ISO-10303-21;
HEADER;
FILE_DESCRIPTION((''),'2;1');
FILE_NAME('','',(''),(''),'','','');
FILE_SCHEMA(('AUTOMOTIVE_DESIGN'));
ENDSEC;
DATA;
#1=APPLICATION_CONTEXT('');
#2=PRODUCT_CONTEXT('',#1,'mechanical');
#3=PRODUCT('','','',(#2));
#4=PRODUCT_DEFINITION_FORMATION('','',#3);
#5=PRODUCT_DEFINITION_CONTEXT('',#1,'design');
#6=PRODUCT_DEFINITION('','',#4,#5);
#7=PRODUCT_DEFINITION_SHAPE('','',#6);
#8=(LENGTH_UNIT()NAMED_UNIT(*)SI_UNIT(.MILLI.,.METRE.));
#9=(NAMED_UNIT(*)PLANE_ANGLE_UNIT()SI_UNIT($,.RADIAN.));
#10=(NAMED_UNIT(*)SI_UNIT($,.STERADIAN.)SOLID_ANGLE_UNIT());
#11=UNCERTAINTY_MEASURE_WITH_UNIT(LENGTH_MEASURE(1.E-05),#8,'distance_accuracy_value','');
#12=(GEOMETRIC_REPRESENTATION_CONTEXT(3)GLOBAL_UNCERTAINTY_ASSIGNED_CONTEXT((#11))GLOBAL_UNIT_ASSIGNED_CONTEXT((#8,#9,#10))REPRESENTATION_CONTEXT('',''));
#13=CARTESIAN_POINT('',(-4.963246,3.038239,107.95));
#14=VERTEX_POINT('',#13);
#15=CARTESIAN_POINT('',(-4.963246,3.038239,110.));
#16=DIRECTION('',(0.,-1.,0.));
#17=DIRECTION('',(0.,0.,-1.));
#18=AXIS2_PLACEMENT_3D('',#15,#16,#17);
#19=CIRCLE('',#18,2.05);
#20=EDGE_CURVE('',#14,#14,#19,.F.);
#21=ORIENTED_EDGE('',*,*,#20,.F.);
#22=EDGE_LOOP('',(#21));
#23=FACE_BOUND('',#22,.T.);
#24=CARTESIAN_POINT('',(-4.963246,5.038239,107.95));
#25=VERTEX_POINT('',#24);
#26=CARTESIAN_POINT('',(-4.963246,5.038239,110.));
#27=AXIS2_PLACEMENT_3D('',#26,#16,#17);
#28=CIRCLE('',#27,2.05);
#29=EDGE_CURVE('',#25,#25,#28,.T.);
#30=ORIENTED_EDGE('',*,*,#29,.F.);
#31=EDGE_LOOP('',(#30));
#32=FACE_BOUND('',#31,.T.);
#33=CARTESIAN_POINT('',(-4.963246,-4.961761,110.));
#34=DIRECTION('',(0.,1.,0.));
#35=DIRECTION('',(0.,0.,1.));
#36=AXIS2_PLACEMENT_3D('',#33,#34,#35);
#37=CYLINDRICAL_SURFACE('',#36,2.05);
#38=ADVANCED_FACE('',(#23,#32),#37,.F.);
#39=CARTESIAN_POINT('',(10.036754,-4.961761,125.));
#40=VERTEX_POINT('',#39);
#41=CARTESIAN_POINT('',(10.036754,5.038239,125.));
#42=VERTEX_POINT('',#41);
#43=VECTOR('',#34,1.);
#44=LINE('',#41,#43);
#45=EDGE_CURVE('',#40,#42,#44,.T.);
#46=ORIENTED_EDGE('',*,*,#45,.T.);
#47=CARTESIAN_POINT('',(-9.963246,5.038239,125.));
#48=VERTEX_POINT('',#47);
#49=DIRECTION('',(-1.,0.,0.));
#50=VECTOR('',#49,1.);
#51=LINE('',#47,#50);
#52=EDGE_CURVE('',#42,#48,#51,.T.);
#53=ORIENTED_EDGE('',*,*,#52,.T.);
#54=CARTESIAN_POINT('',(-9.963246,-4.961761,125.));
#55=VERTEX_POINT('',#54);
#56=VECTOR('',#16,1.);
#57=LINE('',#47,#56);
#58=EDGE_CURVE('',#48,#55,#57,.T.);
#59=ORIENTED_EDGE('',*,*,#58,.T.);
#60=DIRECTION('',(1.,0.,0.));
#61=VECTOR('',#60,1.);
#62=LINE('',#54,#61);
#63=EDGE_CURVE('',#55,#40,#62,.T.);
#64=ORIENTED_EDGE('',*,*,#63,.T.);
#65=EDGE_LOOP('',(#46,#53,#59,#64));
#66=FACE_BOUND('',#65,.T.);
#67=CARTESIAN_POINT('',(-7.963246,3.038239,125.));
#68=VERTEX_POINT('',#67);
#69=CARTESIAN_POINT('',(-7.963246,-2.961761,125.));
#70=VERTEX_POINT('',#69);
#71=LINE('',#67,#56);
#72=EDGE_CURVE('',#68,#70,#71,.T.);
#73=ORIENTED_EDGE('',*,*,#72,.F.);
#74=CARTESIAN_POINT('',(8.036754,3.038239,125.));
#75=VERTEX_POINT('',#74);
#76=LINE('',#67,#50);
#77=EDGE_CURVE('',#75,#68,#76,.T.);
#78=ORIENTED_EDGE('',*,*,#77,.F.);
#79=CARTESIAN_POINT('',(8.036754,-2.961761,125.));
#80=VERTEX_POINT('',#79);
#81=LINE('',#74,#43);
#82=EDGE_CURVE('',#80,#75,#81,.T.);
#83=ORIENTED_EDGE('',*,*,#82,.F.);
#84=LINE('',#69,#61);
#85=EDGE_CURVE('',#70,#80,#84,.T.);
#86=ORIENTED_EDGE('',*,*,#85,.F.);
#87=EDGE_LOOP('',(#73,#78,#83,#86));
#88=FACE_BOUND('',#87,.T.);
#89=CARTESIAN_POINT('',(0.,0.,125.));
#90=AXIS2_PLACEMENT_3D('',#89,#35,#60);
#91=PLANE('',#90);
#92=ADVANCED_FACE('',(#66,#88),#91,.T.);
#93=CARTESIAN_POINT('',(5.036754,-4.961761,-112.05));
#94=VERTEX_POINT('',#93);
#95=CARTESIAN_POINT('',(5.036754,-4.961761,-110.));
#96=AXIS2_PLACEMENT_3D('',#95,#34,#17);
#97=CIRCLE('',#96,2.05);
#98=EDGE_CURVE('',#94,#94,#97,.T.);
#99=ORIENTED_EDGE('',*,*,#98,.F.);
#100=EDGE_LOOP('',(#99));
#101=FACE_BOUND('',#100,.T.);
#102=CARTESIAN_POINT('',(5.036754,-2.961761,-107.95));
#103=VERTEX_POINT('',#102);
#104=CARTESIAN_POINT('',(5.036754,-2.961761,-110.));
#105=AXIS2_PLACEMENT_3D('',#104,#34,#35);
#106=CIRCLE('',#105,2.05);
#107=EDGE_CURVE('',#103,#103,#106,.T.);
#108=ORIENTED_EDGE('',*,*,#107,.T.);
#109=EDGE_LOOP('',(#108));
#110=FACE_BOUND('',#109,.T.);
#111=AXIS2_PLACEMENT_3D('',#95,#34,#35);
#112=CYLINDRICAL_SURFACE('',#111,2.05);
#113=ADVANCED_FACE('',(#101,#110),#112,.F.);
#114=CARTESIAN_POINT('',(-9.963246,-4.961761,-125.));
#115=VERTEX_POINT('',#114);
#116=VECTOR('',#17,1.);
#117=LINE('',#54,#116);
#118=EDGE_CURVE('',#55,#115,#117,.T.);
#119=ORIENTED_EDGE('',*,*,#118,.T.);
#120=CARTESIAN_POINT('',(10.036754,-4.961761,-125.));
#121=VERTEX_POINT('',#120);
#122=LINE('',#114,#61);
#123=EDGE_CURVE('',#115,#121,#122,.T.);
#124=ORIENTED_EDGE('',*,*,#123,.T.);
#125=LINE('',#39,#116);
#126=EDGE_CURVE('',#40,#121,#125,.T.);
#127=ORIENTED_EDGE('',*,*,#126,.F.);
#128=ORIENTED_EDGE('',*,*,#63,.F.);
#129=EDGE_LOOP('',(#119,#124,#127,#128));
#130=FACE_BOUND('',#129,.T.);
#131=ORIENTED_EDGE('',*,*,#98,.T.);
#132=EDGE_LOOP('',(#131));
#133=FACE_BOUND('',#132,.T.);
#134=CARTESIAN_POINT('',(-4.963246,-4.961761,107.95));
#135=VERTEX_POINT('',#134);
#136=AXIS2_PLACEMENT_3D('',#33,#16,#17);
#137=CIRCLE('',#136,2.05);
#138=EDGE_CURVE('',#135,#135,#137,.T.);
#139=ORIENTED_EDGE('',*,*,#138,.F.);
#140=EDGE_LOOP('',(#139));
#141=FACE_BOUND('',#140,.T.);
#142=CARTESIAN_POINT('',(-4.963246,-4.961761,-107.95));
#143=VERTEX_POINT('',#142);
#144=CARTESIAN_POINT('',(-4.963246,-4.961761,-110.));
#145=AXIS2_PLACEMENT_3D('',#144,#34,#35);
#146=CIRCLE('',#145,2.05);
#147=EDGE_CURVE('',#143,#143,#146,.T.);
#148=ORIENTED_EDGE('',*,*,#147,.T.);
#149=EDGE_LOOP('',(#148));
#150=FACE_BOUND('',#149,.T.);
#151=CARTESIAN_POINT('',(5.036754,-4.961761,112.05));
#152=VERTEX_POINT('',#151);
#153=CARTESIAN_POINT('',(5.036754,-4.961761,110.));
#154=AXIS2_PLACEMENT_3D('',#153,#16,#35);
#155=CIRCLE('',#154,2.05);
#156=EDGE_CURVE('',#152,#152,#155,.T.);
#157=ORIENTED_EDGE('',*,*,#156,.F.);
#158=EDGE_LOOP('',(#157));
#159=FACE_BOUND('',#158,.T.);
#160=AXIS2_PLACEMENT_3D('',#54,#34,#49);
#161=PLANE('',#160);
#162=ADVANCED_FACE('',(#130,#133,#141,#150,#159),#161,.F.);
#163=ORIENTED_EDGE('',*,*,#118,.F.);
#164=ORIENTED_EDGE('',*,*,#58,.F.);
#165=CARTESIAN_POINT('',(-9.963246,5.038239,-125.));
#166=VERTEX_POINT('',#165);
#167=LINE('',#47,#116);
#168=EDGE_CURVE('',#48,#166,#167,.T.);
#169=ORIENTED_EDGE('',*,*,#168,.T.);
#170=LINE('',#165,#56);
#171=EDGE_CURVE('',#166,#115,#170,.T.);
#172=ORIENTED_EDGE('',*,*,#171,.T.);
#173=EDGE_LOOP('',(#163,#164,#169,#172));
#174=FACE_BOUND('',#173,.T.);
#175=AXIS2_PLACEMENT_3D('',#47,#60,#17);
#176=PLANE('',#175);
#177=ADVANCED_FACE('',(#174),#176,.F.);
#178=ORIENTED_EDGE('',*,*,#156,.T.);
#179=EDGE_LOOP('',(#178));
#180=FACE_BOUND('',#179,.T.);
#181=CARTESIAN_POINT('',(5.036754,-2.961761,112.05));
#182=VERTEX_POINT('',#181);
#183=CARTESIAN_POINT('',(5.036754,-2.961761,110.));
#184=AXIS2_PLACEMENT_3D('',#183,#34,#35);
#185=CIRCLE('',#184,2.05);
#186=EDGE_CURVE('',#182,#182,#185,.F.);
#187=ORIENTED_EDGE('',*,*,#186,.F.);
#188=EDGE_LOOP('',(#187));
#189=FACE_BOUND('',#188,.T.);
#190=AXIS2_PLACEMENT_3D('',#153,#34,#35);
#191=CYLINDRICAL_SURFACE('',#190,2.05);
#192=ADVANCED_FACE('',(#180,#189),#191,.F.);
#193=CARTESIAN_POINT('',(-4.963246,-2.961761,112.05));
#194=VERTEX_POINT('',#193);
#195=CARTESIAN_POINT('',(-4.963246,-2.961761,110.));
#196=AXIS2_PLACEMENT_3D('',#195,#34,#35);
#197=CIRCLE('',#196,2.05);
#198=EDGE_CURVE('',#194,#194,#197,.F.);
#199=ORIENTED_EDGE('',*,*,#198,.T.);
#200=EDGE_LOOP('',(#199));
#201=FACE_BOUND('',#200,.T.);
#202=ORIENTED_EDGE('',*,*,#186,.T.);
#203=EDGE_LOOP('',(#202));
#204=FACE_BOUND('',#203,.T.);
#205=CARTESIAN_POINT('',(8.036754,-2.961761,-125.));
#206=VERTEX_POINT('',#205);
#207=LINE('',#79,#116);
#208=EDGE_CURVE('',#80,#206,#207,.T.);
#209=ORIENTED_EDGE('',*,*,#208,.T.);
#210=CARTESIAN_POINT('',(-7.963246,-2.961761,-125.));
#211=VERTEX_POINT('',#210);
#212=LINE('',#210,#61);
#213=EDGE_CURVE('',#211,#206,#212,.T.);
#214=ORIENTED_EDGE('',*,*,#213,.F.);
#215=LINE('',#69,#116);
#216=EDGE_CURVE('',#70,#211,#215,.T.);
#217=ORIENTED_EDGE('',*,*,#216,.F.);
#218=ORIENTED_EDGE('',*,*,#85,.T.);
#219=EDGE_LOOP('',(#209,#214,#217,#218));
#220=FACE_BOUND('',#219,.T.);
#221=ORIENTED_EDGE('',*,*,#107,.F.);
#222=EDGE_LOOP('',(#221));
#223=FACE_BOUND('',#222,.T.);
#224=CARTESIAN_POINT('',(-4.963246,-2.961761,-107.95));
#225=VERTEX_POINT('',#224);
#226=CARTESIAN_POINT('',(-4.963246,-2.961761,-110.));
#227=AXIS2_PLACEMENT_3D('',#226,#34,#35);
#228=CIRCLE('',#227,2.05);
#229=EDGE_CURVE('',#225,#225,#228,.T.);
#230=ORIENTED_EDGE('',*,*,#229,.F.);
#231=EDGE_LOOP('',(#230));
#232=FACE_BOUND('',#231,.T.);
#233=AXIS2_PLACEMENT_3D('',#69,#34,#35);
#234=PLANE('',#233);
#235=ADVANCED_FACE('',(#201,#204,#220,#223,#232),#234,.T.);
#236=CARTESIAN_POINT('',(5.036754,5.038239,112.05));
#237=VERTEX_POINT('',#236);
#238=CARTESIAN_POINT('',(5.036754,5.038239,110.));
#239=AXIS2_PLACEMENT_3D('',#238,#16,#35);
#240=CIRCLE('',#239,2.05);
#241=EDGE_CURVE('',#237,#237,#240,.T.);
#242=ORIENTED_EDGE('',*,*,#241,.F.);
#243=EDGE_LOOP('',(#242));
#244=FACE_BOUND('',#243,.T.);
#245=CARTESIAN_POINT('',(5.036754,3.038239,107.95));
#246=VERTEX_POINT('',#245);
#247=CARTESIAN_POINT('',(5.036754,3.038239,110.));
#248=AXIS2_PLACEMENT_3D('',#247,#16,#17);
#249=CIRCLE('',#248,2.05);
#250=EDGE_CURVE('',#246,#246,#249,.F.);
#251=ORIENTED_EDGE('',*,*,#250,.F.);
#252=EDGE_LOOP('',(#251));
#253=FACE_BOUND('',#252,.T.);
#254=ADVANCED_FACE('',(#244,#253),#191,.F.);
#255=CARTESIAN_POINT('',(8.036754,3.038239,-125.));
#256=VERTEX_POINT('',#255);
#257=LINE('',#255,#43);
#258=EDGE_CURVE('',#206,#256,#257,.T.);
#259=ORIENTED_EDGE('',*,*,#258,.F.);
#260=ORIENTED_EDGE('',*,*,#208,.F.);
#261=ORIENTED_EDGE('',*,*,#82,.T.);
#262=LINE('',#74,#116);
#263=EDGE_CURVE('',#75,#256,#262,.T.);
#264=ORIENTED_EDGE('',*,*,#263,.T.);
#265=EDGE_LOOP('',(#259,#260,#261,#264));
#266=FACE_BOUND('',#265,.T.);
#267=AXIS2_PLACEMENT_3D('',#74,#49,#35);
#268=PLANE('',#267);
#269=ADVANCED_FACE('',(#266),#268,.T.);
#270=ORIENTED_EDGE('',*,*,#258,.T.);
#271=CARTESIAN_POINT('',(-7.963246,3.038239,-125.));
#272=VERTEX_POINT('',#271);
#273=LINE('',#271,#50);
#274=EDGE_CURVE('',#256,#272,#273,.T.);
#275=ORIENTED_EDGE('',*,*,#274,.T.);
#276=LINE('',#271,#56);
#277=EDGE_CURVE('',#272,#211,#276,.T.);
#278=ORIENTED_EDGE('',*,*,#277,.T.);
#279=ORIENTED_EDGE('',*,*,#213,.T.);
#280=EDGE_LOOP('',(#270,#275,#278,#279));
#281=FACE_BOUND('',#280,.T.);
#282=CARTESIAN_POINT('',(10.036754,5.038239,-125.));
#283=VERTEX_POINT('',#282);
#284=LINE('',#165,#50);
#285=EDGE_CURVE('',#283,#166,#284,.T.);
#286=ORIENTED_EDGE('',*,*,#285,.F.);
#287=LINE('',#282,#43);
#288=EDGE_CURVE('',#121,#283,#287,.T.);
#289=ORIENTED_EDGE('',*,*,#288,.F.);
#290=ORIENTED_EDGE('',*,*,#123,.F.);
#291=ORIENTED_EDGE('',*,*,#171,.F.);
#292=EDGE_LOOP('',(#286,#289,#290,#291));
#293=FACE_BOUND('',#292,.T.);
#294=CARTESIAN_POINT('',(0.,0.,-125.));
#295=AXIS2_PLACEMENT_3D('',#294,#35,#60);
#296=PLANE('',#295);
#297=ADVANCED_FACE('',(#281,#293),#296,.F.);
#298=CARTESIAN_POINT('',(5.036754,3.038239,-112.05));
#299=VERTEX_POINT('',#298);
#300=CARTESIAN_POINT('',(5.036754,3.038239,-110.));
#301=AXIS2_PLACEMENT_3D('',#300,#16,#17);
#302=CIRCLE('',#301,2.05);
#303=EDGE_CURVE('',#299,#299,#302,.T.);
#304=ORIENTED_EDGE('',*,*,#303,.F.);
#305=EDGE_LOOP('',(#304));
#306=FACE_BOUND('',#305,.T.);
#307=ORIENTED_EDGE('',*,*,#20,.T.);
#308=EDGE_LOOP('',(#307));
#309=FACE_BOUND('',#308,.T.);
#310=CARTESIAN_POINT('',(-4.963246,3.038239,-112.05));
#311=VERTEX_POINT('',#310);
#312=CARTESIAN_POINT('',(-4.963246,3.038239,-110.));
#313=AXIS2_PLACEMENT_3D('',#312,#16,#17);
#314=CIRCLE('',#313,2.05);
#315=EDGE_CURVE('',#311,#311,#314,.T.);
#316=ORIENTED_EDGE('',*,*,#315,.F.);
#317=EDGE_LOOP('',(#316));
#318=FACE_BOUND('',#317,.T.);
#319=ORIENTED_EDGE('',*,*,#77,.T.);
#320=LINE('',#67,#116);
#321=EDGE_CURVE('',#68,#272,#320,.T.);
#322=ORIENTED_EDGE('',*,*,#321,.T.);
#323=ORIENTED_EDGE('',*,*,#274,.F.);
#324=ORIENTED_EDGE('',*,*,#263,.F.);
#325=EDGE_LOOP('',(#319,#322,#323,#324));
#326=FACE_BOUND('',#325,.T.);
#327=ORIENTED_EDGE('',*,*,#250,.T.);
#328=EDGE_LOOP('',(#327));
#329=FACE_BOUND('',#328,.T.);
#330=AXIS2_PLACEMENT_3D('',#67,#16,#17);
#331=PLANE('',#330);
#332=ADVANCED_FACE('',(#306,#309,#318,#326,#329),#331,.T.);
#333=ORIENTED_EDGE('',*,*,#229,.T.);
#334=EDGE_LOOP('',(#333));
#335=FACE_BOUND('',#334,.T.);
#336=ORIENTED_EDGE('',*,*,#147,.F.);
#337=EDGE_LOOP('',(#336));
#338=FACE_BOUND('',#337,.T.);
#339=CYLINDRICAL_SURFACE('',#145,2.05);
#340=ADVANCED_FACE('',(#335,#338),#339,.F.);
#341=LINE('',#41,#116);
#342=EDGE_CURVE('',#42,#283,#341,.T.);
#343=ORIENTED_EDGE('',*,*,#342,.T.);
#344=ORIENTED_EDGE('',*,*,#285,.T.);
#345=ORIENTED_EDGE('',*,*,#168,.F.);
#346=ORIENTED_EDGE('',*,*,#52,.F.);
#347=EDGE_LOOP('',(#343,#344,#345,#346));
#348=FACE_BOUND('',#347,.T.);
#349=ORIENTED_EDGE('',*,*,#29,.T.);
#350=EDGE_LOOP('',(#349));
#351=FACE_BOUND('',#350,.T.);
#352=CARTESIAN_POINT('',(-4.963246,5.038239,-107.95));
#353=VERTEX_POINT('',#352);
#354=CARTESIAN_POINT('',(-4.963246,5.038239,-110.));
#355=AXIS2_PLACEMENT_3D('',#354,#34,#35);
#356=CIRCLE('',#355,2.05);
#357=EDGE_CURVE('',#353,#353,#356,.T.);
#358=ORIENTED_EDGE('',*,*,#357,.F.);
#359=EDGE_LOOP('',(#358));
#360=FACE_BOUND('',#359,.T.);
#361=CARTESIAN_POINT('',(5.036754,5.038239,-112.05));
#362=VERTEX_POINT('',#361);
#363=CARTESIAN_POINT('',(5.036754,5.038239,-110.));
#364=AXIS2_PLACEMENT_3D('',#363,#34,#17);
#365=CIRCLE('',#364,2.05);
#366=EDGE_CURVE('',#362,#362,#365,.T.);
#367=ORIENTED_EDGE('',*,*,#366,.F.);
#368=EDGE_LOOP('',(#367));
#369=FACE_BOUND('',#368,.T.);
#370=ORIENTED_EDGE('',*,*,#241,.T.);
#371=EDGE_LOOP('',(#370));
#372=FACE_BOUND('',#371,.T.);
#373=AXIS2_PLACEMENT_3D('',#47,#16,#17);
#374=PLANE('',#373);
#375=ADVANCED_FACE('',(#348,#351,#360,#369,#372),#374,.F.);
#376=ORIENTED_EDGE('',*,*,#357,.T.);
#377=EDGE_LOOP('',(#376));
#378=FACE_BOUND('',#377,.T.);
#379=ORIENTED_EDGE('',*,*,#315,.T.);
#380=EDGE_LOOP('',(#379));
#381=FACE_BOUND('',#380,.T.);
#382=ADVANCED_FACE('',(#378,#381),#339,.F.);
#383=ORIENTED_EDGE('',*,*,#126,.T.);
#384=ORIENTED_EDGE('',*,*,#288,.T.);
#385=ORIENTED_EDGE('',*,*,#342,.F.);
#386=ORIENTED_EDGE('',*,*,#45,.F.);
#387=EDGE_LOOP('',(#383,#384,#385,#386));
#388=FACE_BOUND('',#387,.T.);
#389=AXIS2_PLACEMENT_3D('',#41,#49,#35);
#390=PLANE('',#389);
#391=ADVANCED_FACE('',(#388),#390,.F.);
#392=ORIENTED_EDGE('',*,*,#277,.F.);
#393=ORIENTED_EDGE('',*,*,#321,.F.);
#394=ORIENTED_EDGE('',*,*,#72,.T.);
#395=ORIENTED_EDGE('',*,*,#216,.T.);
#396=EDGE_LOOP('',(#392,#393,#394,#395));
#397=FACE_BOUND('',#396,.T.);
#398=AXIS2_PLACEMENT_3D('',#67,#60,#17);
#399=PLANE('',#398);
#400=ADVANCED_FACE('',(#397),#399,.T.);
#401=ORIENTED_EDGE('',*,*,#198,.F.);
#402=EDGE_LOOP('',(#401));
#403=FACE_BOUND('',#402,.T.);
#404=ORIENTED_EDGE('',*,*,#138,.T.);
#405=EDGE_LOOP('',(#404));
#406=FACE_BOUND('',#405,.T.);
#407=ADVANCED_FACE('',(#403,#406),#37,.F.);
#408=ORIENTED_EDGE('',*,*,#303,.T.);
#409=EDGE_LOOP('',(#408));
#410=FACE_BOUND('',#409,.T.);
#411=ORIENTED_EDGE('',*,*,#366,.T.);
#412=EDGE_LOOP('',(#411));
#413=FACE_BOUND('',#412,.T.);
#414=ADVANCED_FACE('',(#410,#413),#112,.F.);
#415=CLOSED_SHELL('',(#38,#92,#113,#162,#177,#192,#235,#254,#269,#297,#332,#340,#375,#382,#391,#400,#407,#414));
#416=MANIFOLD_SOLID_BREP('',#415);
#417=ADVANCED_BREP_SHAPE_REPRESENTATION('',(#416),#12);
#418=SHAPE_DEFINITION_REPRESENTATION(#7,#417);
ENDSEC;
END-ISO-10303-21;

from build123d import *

# Parameters (mm, degrees)
SKETCH_1_W          = 20
SKETCH_1_H          = 10
SKETCH_1_W_2        = 16
SKETCH_1_H_2        = 6
EXTRUDE_1_DEPTH     = 125
SKETCH_3_R          = 2.05
CUT_EXTRUDE_1_DEPTH = 126.800383248


with BuildPart() as part:
    # 草图1 → 凸台-拉伸1 (new, symmetric)
    with BuildSketch(Plane.XY):
        with Locations((0.036753729, 0.03823935)):
            Rectangle(SKETCH_1_W, SKETCH_1_H)
        with Locations((0.036753729, 0.03823935)):
            Rectangle(SKETCH_1_W_2, SKETCH_1_H_2, mode=Mode.SUBTRACT)
    extrude(amount=EXTRUDE_1_DEPTH, both=True)

    # 草图3 → 切除-拉伸1 (cut, through all)
    with BuildSketch(Plane(origin=(0, 5.03823935, 0), x_dir=(1, 0, 0), z_dir=(0, 1, 0))):
        with Locations(Location((-4.963246271, 110, 0), (0, 0, 270))):
            Circle(SKETCH_3_R)
        with Locations(Location((5.036753729, 110, 0), (0, 0, 270))):
            Circle(SKETCH_3_R)
    cut_extrude_1 = extrude(amount=-CUT_EXTRUDE_1_DEPTH, mode=Mode.SUBTRACT)

    # 镜向1: 切除-拉伸1 across plane
    add(cut_extrude_1.mirror(Plane.XY), mode=Mode.SUBTRACT)


solid = part.part
